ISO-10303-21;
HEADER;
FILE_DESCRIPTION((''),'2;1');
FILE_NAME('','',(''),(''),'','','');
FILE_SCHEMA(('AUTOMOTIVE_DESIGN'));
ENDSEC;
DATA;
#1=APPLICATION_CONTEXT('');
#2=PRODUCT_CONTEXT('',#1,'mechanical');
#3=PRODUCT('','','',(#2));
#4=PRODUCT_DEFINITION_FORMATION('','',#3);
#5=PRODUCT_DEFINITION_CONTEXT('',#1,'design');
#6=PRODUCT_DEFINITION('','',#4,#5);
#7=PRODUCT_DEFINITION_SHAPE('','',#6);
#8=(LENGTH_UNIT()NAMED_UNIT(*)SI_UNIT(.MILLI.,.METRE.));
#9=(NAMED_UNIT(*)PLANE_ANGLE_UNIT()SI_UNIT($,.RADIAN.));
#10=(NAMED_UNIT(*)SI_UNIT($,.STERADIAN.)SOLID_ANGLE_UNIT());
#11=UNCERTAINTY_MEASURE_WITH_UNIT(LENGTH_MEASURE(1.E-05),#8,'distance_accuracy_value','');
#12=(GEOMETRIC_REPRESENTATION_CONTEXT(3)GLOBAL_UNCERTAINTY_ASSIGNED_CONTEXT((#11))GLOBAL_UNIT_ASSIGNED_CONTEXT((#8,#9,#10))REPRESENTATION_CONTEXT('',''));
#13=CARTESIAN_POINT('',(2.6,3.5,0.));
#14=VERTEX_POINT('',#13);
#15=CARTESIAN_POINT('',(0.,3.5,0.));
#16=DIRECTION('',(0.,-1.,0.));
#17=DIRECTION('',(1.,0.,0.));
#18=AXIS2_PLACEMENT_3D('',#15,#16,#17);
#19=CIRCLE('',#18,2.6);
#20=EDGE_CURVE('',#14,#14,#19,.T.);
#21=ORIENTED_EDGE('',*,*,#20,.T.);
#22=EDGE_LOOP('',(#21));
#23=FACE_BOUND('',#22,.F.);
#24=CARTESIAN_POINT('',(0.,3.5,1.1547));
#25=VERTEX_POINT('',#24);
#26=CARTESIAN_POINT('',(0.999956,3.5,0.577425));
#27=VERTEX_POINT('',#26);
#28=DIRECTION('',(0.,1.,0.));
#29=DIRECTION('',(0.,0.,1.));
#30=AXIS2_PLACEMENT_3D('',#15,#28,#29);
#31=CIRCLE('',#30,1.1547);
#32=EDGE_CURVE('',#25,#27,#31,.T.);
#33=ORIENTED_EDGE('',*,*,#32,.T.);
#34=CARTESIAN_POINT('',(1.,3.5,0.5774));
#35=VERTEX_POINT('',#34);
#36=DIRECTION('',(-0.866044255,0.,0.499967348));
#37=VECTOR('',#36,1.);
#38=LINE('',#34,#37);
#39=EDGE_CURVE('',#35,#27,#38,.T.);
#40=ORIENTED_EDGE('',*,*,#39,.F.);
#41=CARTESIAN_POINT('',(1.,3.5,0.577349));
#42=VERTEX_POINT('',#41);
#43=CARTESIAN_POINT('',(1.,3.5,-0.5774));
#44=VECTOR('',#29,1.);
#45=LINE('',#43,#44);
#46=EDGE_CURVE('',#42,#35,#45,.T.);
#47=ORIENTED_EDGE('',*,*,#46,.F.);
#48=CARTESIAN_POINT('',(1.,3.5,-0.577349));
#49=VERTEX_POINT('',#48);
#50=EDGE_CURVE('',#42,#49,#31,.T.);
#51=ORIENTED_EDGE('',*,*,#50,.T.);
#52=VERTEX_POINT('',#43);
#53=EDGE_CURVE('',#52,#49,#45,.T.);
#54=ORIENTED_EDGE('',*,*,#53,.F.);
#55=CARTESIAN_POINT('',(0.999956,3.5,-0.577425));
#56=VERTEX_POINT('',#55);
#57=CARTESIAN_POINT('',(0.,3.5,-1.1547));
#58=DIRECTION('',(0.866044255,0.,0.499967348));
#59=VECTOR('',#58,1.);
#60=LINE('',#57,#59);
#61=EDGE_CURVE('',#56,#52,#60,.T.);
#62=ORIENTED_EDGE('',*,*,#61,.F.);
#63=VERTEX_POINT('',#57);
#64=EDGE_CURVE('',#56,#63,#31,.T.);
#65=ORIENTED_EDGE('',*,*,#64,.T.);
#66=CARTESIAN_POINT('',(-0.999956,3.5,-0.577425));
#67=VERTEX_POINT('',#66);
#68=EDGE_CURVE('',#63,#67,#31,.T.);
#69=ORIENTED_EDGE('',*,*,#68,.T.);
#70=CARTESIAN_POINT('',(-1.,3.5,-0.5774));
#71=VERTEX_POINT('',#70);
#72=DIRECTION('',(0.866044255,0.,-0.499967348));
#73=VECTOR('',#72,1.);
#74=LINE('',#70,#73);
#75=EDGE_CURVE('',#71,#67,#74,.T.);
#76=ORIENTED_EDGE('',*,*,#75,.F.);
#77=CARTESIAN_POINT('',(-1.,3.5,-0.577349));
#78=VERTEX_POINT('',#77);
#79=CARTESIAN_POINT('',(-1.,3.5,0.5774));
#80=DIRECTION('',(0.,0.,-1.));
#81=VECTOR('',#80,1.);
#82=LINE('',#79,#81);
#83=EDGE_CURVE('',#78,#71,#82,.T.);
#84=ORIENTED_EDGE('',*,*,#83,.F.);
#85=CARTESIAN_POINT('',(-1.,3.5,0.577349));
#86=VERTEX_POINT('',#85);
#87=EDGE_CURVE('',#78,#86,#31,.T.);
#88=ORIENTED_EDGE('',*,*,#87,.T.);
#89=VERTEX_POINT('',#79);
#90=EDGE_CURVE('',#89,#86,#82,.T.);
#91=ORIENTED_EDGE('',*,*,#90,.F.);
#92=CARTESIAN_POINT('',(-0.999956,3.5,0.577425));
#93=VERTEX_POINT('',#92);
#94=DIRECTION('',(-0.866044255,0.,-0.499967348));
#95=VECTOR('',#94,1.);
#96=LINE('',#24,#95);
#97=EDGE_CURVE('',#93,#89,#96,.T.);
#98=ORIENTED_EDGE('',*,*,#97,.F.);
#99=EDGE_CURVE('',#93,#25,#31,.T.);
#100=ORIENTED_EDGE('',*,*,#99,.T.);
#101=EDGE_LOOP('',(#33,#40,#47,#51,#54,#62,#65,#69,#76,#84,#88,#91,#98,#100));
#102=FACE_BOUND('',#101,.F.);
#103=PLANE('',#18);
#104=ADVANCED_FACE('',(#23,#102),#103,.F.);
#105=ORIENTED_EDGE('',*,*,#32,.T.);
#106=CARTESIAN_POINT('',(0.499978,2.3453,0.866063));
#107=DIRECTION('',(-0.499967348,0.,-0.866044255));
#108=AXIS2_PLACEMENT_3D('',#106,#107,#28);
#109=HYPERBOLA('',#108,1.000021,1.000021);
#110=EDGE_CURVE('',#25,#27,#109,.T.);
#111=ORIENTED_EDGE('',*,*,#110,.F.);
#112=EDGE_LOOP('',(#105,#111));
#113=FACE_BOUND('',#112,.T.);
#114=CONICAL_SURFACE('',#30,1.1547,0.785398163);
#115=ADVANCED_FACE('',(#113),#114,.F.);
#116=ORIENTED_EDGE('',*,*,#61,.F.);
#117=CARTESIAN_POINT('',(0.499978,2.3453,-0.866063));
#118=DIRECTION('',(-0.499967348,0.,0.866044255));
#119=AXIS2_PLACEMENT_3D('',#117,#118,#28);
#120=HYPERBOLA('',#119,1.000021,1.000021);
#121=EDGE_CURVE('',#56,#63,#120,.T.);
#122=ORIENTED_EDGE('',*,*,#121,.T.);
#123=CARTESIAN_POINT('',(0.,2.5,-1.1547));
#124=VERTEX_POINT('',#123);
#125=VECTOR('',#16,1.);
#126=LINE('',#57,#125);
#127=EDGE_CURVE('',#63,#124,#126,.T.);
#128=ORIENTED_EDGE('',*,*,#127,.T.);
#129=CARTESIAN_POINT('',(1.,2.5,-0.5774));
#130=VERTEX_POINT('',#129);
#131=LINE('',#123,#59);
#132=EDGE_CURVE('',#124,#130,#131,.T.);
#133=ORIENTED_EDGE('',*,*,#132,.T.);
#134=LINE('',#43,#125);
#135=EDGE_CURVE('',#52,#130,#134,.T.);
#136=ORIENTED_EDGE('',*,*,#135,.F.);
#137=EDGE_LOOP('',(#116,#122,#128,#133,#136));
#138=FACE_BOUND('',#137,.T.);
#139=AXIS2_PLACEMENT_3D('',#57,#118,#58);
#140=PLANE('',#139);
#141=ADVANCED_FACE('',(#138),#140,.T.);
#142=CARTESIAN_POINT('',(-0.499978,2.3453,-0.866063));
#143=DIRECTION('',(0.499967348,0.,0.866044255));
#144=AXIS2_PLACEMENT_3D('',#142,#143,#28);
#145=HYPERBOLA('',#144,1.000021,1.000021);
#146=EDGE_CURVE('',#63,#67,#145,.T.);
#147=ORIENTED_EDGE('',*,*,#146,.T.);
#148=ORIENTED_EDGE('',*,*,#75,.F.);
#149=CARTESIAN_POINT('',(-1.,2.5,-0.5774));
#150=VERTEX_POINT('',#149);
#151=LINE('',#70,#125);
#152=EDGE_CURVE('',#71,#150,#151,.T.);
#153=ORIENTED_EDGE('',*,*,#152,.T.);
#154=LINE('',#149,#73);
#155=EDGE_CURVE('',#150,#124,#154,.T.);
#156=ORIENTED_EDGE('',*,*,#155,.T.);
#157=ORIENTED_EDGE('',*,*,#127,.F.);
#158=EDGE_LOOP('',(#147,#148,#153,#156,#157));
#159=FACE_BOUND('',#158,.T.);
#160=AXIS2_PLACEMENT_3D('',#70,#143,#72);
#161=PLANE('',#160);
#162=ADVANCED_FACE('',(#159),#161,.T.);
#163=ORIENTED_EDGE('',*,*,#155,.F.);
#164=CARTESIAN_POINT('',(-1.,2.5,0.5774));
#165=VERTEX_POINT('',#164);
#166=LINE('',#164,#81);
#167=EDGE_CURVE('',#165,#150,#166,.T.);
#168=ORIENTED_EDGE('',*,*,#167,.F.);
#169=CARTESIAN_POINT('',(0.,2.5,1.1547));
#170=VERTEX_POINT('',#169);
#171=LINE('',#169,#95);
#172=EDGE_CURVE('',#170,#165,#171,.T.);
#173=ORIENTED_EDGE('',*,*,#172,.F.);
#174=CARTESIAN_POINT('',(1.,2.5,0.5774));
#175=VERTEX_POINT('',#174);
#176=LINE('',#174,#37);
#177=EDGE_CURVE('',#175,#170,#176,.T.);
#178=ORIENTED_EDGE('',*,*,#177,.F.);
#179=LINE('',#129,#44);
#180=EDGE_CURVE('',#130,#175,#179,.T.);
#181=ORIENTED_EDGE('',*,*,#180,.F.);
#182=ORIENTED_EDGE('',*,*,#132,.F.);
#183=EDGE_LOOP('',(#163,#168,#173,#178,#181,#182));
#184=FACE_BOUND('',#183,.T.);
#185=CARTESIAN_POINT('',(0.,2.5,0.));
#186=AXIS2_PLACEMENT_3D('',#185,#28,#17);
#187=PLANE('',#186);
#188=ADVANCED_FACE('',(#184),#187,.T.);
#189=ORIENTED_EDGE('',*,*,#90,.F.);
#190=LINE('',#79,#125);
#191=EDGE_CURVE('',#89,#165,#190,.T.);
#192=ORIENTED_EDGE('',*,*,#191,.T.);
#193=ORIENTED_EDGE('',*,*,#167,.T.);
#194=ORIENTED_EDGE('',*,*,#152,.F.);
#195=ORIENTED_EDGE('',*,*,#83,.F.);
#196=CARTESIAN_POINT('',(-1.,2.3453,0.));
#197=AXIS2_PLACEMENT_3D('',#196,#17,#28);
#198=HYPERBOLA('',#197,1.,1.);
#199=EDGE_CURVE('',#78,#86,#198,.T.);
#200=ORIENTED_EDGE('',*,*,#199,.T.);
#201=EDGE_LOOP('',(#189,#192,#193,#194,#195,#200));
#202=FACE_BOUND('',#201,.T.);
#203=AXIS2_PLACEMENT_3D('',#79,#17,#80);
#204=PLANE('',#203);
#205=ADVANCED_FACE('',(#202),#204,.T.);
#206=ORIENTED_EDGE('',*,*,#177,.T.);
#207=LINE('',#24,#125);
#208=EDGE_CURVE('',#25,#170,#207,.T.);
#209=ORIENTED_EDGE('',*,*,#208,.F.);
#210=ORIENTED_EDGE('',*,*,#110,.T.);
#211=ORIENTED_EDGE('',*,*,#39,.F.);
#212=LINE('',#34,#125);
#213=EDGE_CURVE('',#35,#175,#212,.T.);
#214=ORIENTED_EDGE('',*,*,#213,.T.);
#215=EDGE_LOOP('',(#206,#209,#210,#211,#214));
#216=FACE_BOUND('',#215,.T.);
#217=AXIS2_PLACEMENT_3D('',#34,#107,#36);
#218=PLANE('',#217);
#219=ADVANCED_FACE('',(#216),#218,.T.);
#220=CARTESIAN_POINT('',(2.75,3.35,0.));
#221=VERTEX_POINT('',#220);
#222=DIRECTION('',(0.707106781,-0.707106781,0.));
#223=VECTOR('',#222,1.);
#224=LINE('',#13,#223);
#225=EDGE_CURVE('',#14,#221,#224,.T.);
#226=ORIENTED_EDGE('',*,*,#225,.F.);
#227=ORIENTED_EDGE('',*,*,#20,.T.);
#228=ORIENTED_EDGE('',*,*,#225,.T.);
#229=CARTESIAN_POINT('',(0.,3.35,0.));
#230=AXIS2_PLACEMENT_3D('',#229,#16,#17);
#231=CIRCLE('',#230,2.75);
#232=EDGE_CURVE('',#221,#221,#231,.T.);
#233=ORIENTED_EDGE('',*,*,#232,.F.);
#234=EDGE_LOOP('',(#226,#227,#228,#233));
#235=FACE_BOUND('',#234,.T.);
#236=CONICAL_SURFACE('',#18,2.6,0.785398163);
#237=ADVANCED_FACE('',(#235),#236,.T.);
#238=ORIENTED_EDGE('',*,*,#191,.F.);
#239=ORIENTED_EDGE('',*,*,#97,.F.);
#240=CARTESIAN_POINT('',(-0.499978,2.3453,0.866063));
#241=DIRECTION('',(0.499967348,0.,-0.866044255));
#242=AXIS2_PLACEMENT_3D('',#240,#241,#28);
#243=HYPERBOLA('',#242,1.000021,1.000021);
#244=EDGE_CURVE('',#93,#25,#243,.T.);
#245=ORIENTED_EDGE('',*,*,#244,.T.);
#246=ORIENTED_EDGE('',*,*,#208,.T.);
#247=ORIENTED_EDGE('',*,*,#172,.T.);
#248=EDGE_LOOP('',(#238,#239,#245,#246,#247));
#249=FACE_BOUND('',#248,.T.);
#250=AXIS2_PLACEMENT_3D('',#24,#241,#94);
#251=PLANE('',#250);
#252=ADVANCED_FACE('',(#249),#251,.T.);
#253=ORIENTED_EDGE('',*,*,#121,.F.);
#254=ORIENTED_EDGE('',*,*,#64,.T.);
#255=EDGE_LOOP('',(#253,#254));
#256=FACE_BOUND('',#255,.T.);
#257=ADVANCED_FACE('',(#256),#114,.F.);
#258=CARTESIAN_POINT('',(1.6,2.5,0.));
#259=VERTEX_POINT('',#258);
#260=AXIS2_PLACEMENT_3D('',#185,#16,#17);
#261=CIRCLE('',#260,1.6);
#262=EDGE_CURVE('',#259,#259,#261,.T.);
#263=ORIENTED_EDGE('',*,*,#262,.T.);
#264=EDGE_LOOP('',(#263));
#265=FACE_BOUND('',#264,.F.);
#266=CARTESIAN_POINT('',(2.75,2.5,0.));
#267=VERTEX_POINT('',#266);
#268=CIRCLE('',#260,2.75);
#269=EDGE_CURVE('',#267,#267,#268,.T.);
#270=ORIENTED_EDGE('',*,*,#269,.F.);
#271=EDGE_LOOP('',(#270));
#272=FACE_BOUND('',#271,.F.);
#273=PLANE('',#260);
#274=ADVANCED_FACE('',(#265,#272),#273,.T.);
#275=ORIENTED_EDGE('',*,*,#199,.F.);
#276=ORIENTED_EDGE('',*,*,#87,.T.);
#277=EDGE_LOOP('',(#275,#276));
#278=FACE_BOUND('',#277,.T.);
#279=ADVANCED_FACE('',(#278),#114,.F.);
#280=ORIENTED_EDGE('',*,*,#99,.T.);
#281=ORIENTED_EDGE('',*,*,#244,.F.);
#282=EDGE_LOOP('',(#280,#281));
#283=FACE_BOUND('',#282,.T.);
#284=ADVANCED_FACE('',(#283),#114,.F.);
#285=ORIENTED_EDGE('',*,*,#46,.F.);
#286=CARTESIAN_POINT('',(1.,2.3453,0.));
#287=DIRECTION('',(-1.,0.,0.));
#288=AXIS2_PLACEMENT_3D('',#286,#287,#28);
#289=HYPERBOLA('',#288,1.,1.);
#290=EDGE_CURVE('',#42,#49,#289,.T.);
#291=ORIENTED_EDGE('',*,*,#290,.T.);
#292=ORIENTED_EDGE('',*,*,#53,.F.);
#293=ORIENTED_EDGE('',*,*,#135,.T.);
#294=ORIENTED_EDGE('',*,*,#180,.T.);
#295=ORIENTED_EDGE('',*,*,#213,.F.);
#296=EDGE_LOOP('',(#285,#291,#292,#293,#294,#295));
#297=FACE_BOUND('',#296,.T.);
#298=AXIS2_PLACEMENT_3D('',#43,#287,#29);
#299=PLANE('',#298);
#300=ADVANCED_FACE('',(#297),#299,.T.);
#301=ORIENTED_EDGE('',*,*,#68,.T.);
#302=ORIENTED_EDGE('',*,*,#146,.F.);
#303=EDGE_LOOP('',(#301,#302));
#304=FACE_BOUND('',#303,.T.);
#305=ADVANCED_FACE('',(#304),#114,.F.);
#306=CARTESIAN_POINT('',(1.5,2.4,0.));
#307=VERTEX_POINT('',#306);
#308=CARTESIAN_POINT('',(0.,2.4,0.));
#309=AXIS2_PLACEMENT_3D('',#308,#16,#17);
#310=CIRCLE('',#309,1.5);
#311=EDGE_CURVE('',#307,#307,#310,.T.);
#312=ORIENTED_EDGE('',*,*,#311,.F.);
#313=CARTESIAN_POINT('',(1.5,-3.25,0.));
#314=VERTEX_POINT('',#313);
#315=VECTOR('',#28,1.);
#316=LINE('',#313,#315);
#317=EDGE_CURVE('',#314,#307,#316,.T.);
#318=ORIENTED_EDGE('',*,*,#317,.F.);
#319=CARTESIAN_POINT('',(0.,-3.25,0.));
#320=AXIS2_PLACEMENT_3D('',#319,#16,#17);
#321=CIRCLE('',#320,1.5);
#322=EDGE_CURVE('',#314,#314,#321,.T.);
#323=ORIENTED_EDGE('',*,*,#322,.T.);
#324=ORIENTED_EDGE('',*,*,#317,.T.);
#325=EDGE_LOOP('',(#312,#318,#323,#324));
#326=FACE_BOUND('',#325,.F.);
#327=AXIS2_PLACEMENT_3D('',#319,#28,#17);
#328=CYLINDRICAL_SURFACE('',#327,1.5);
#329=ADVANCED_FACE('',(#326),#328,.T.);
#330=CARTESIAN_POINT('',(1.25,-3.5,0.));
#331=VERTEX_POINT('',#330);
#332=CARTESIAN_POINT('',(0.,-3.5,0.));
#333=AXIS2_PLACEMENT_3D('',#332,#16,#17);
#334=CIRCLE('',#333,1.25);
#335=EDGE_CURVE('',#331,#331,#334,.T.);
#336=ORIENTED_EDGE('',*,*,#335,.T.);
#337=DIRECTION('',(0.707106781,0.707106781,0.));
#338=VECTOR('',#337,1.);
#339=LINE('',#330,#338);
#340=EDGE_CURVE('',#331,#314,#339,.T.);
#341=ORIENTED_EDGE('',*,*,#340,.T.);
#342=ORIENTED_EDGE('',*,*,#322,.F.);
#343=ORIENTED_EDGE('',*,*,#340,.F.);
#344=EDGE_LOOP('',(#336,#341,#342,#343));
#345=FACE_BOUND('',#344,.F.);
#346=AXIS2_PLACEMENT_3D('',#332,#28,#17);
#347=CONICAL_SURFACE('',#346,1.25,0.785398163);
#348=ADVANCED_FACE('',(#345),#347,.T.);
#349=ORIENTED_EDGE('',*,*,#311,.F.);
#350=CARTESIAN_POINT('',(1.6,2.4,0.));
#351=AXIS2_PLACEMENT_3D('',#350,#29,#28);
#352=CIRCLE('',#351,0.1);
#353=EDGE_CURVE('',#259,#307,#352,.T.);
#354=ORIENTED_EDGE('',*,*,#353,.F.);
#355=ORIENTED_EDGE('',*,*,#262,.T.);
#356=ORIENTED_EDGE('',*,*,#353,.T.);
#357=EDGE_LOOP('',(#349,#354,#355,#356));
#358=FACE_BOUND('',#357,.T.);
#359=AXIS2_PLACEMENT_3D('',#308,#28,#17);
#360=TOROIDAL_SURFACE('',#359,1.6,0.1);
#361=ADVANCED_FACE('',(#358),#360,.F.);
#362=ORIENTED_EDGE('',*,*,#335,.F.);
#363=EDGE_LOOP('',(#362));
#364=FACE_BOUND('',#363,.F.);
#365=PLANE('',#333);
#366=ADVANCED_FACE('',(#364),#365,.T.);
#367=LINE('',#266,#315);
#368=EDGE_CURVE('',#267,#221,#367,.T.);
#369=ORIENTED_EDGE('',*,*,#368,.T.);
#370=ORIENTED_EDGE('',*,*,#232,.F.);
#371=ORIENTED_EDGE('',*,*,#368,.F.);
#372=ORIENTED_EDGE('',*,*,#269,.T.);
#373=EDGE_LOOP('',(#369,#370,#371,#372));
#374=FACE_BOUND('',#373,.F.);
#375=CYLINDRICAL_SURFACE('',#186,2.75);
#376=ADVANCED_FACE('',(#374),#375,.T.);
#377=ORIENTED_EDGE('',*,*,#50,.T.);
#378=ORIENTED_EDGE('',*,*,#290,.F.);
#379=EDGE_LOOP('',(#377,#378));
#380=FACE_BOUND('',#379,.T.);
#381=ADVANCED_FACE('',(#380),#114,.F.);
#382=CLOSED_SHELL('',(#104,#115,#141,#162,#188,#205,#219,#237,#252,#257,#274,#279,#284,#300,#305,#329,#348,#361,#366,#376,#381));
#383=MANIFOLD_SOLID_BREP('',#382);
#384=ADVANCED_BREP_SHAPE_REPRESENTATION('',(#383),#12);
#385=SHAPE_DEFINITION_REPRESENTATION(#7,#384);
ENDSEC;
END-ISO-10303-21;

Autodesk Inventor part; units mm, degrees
ref_plane "YZ Plane" through (0, 0, 0) normal (1, 0, 0) x (0, 1, 0)
ref_plane "XZ Plane" through (0, 0, 0) normal (0, 1, 0) x (-1, 0, 0)
ref_plane "XY Plane" through (0, 0, 0) normal (0, 0, 1) x (1, 0, 0)
sketch "Sketch1" plane through (0, 0, 0) normal (0, 0, 1) x (1, 0, 0)
  line L0 (0, 3.5) -> (0, -3.5)
  line L1 (0, -3.5) -> (1.25, -3.5)
  line L2 (1.25, -3.5) -> (1.5, -3.25)
  line L3 (1.5, -3.25) -> (1.5, 2.4)
  line L4 (1.6, 2.5) -> (2.75, 2.5)
  line L5 (2.75, 2.5) -> (2.75, 3.35)
  line L6 (2.6, 3.5) -> (0, 3.5)
  arc A0 (1.6, 2.5) -> (1.5, 2.4) centre (1.6, 2.4) ccw
  line L7 (2.6, 3.5) -> (2.75, 3.35)
  point P0 (0, 0)
  point P1 (2.75, 3.5)
  point P2 (0, 0)
  dimension "d0" = 5.5
  dimension "d1" = 1
  dimension "d3" = 3
  dimension "d4" = 3.2
  dimension "d5" = 135
  dimension "d6" = 0.25
  dimension "d7" = 6
  dimension "d18" = 0.15
  dimension "d22" = 0.15
revolve "Revolution1" add sketch "Sketch1" angle 360 about axis through (0, 3.5, 0) along (0, -1, 0)
sketch "Sketch2" plane through (0, 3.5, 0) normal (0, 1, 0) x (1, 0, 0)
  line L0 (0, -1.1547) -> (-1, -0.5774)
  line L1 (-1, -0.5774) -> (-1, 0.5774)
  line L2 (-1, 0.5774) -> (0, 1.1547)
  line L3 (0, 1.1547) -> (1, 0.5774)
  line L4 (1, 0.5774) -> (1, -0.5774)
  line L5 (1, -0.5774) -> (0, -1.1547)
  point P0 (0, 0)
  point P1 (0, 0)
  dimension "d11" = 2
extrude "Extrusion1" cut sketch "Sketch2" against normal blind 1
thread "Thread1" size "M3x0.5" class "6g" standard "ANSI Metric M Profile" full length
sketch "Sketch3" plane through (0, 0, 0) normal (1, 0, 0) x (0, 1, 0)
  line L0 (3.5, 1.1547) -> (3.5, 0.5774) projected
  line L1 (3.5, 1.1547) -> (3, 0.6547)
  line L2 (3, 0.6547) -> (3.5, 0.6547)
  line L3 (3.5, 0.6547) -> (3.5, 1.1547)
  line L4 (-0.9, 0) -> (5.4, 0) projected
  point P0 (0, 0)
  dimension "d16" = 0.5
revolve "Revolution2" cut sketch "Sketch3" angle 360 about axis through (0, -10, 0) along (0, 1, 0)
equation "\"d22\" = d18"
properties part number "48-0362" material "Stainless Steel"
